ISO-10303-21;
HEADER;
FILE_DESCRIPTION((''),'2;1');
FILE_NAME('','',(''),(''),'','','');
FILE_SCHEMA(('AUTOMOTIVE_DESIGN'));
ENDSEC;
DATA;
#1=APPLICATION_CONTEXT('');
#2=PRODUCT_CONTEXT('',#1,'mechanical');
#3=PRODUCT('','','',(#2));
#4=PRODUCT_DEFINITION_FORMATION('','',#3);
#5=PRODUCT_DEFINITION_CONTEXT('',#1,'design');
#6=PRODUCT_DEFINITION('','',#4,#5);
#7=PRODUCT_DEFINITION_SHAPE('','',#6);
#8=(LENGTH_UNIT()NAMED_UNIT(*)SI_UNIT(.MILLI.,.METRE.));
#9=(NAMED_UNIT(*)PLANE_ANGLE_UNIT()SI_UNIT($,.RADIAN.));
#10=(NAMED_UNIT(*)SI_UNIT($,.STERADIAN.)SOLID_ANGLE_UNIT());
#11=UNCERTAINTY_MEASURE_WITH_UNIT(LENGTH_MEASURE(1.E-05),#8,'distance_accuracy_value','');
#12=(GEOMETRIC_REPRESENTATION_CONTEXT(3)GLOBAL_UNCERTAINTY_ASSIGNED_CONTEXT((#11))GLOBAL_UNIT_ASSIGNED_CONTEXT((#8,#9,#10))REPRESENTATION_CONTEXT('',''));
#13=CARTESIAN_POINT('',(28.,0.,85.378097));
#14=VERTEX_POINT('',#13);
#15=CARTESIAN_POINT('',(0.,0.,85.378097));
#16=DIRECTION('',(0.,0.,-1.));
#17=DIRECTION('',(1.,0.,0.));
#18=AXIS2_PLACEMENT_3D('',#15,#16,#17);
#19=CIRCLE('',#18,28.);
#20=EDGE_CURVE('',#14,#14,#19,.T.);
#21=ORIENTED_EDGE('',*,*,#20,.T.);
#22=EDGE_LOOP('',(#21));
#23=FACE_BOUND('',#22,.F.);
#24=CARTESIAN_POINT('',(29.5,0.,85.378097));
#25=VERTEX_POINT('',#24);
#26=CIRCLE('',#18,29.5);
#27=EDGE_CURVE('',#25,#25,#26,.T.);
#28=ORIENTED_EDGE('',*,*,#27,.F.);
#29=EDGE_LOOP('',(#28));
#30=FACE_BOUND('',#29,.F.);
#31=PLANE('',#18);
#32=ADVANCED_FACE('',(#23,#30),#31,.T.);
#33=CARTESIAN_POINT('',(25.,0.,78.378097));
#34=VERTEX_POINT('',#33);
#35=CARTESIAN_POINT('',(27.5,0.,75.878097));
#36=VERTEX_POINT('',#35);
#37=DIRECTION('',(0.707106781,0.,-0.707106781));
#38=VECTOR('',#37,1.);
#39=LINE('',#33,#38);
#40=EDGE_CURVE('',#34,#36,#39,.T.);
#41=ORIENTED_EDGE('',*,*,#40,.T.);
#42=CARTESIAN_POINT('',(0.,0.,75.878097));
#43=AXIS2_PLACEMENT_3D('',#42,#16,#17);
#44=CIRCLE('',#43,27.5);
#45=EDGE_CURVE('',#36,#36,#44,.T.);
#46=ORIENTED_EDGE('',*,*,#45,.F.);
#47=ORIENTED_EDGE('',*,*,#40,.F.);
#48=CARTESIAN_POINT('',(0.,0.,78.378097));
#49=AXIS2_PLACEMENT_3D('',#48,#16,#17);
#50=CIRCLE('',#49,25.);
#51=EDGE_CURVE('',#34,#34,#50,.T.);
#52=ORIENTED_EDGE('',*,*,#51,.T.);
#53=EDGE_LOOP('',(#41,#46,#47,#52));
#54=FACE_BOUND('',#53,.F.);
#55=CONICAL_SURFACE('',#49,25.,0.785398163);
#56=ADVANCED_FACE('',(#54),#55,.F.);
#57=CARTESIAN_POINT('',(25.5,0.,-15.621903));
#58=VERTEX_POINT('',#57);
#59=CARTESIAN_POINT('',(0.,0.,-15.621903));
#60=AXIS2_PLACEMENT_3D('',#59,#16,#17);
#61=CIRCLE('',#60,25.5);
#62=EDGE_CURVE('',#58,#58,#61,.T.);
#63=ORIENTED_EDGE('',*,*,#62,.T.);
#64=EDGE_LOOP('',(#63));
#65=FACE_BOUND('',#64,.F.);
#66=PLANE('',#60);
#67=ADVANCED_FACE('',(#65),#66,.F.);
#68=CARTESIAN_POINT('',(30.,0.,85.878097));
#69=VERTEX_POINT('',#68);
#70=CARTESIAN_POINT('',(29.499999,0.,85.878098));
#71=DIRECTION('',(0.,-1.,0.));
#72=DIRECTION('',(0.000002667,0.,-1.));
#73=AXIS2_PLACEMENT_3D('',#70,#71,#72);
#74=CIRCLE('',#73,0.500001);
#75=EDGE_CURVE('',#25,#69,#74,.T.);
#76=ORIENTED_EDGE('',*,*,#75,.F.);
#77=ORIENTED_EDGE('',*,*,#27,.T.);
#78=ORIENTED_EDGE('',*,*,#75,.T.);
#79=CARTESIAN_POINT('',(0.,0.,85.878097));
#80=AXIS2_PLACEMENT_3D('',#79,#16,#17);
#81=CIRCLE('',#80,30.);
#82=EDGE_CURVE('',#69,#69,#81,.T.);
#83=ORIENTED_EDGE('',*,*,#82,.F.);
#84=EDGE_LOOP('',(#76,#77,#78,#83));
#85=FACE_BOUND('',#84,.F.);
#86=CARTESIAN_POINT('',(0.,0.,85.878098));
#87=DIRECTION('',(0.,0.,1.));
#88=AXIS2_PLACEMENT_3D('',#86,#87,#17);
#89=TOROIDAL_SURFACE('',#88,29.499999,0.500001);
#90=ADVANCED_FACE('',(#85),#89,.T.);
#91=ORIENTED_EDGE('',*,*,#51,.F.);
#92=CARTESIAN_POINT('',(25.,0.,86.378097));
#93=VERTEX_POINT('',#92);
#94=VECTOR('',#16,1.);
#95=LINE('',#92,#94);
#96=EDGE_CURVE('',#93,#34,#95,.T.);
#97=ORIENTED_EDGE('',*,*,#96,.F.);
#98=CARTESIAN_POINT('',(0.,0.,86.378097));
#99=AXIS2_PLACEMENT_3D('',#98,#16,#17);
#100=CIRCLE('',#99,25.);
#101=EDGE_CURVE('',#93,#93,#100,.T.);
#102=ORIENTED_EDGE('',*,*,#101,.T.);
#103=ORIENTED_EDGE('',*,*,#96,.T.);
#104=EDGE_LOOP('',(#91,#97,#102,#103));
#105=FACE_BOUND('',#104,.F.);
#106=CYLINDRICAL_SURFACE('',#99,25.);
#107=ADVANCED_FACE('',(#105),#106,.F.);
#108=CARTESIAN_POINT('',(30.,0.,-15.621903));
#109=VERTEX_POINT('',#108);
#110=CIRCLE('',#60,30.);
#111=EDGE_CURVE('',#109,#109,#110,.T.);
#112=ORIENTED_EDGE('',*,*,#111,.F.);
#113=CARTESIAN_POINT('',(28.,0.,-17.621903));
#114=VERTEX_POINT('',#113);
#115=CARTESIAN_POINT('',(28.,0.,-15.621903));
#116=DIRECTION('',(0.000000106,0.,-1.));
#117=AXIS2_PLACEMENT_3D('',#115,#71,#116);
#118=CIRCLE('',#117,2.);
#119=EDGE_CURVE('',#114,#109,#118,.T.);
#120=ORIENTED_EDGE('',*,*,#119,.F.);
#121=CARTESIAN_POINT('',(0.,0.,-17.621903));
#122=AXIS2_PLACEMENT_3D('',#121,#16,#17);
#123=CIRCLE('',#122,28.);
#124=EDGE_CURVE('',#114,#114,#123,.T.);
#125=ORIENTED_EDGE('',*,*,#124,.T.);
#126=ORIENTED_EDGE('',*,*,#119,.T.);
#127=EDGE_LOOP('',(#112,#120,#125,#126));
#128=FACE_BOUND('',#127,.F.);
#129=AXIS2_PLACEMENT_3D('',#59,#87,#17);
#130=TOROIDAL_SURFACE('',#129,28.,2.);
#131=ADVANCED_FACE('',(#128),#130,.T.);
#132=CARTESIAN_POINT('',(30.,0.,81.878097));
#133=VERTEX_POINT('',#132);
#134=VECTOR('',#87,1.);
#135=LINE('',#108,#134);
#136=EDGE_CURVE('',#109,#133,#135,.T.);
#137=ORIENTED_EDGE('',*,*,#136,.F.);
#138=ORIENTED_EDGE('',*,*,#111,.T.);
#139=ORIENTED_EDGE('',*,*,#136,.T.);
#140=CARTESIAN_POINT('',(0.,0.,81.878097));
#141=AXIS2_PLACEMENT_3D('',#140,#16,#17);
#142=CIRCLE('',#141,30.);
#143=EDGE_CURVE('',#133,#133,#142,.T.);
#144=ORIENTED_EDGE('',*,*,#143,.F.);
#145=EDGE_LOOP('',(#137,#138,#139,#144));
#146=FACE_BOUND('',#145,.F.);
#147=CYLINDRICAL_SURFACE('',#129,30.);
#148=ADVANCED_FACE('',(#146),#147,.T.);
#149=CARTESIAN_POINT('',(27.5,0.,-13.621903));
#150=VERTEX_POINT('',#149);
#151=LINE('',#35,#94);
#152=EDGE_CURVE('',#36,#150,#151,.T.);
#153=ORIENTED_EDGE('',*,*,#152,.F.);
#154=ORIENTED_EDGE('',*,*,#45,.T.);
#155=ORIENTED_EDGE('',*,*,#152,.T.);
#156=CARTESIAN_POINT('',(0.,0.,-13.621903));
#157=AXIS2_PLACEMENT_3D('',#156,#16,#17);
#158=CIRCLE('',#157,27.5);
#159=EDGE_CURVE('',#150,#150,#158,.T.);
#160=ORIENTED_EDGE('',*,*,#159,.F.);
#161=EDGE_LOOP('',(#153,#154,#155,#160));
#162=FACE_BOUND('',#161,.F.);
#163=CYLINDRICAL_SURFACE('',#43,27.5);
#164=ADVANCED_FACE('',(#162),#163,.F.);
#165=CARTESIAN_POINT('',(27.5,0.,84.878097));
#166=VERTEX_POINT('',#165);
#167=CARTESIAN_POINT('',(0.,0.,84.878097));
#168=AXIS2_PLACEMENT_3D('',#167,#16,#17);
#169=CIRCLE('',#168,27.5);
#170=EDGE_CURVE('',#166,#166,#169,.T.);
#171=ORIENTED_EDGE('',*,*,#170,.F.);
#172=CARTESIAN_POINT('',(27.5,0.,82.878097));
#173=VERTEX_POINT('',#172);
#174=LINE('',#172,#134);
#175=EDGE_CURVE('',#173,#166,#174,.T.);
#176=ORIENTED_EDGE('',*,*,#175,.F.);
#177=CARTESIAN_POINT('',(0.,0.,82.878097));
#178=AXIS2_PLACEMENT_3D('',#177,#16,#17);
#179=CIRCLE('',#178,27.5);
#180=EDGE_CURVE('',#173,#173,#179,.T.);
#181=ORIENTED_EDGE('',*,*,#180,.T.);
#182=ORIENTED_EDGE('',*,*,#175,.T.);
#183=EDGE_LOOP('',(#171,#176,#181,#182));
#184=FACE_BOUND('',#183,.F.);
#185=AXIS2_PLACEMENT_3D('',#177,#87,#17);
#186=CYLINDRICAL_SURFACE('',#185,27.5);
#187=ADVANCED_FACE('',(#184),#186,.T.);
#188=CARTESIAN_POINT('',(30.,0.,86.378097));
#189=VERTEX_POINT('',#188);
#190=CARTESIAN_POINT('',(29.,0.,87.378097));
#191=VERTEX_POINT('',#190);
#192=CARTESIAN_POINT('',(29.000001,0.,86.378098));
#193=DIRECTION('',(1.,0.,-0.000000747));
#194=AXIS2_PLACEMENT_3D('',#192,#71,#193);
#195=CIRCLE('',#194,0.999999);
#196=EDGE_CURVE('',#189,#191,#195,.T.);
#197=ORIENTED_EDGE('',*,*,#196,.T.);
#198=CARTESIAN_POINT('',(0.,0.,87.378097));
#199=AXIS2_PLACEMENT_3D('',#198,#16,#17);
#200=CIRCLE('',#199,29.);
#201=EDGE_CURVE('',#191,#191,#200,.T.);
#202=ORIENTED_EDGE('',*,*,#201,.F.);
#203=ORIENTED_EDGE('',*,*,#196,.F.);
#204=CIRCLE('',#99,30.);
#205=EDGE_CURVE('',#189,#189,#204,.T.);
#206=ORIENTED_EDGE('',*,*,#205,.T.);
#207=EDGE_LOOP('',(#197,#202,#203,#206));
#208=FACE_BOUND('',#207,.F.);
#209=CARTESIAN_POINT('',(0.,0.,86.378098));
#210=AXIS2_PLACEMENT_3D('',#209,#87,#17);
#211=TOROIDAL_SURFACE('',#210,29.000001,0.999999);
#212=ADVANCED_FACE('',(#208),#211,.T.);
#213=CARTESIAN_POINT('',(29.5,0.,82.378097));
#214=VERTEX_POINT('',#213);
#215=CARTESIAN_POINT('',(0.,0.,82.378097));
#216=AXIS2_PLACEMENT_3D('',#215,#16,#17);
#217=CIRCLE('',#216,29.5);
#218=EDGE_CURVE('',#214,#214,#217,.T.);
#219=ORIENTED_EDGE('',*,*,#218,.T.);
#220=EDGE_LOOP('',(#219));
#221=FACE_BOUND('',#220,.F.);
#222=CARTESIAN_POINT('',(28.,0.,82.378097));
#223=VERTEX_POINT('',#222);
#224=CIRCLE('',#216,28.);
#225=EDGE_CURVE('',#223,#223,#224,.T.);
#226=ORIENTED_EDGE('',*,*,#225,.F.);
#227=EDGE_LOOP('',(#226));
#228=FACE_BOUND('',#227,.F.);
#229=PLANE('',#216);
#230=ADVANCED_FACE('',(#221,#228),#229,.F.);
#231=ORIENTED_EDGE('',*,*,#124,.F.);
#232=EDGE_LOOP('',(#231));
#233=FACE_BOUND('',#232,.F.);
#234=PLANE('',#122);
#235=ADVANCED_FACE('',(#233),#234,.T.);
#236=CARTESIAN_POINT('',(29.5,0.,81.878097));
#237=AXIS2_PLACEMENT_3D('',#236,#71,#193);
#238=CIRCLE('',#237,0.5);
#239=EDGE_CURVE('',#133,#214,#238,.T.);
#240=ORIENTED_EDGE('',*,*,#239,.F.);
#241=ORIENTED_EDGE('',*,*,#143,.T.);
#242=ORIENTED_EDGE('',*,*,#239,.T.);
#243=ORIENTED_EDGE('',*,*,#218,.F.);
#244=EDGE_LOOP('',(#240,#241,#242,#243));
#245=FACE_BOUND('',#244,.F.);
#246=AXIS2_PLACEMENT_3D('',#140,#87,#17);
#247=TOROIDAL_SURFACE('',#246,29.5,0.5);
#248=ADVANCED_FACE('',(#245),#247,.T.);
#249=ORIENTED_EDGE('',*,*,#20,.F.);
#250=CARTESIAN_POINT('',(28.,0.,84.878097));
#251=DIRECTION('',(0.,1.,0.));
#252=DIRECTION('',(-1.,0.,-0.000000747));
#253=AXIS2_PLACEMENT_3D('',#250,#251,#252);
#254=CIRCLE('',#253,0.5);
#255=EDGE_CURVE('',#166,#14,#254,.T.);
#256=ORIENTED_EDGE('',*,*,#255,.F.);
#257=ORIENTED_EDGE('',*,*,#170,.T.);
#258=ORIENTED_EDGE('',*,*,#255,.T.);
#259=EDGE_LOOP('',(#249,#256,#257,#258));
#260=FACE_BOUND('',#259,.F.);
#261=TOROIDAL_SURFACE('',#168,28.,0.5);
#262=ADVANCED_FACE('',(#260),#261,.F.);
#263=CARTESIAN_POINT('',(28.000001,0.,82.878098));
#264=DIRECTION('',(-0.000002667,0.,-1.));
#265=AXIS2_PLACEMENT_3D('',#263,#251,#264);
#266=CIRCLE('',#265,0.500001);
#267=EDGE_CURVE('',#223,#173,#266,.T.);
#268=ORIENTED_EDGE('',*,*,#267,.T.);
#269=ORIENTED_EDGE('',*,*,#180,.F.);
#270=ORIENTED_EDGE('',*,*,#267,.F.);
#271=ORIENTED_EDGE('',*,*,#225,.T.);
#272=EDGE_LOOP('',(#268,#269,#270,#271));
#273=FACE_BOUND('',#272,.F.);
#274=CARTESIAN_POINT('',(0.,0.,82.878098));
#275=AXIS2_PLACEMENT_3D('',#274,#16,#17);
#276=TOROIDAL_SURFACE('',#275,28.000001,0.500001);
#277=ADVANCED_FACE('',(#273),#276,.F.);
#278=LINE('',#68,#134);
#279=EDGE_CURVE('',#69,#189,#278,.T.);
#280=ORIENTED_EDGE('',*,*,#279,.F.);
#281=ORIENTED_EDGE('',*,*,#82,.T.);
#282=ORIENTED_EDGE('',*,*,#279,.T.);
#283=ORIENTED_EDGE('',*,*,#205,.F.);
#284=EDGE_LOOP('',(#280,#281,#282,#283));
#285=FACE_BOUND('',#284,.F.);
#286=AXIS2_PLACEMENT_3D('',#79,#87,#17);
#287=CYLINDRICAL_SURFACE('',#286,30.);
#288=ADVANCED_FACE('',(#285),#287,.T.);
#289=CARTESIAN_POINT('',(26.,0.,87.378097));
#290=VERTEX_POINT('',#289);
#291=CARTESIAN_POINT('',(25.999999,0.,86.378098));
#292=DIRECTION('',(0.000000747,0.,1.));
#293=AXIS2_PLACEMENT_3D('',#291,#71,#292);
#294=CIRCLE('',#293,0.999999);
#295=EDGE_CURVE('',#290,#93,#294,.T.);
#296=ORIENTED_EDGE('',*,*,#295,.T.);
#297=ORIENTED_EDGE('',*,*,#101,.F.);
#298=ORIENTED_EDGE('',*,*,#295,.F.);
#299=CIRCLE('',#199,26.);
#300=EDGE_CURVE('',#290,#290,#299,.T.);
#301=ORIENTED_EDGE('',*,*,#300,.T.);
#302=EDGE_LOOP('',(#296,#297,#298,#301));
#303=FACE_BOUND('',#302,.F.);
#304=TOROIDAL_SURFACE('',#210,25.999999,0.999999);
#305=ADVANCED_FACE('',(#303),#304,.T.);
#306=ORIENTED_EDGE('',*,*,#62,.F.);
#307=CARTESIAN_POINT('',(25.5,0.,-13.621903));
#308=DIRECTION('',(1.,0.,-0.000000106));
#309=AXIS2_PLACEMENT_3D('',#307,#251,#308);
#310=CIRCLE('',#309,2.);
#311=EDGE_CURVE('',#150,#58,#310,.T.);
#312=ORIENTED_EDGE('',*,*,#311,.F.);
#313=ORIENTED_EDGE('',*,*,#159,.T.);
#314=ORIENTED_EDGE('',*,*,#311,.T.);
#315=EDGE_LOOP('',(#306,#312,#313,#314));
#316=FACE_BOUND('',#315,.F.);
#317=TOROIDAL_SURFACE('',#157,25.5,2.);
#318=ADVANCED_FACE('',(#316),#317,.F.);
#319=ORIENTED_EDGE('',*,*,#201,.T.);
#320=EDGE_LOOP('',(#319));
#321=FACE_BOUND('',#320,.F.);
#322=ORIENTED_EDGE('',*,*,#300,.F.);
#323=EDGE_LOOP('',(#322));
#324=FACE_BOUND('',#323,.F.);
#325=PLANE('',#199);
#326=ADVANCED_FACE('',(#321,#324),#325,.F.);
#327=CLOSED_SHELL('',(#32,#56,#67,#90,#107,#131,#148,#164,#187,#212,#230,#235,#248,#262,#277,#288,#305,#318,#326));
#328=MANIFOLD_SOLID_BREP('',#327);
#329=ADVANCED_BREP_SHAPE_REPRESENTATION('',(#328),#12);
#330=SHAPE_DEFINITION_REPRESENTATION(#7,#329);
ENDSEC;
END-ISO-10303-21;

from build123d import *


with BuildPart() as f1:
    # F0 (on Front) → F1 (revolve)
    with BuildSketch(Plane.XZ):
        with BuildLine():
            Line((25.5, -15.621903), (0, -15.621903))
            Line((0, -15.621903), (0, -17.621903))
            Line((0, -17.621903), (28, -17.621903))
            ThreePointArc((28, -17.621903), (29.414214, -17.036116), (30, -15.621903))
            Line((30, -15.621903), (30, 81.878097))
            ThreePointArc((30, 81.878097), (29.853553, 82.231651), (29.5, 82.378097))
            Line((29.5, 82.378097), (28, 82.378097))
            ThreePointArc((28, 82.378097), (27.646447, 82.524544), (27.5, 82.878097))
            Line((27.5, 82.878097), (27.5, 84.878097))
            ThreePointArc((27.5, 84.878097), (27.646447, 85.231651), (28, 85.378097))
            Line((28, 85.378097), (29.5, 85.378097))
            ThreePointArc((29.5, 85.378097), (29.853553, 85.524544), (30, 85.878097))
            Line((30, 85.878097), (30, 86.378097))
            ThreePointArc((30, 86.378097), (29.707107, 87.085204), (29, 87.378097))
            Line((29, 87.378097), (26, 87.378097))
            ThreePointArc((26, 87.378097), (25.292893, 87.085204), (25, 86.378097))
            Line((25, 86.378097), (25, 78.378097))
            Line((25, 78.378097), (27.5, 75.878097))
            Line((27.5, 75.878097), (27.5, -13.621903))
            ThreePointArc((27.5, -13.621903), (26.914214, -15.036116), (25.5, -15.621903))
        make_face()
    revolve(axis=Axis((0, 0, -16.621903), (0, 0, -1)))


solid = f1.part
